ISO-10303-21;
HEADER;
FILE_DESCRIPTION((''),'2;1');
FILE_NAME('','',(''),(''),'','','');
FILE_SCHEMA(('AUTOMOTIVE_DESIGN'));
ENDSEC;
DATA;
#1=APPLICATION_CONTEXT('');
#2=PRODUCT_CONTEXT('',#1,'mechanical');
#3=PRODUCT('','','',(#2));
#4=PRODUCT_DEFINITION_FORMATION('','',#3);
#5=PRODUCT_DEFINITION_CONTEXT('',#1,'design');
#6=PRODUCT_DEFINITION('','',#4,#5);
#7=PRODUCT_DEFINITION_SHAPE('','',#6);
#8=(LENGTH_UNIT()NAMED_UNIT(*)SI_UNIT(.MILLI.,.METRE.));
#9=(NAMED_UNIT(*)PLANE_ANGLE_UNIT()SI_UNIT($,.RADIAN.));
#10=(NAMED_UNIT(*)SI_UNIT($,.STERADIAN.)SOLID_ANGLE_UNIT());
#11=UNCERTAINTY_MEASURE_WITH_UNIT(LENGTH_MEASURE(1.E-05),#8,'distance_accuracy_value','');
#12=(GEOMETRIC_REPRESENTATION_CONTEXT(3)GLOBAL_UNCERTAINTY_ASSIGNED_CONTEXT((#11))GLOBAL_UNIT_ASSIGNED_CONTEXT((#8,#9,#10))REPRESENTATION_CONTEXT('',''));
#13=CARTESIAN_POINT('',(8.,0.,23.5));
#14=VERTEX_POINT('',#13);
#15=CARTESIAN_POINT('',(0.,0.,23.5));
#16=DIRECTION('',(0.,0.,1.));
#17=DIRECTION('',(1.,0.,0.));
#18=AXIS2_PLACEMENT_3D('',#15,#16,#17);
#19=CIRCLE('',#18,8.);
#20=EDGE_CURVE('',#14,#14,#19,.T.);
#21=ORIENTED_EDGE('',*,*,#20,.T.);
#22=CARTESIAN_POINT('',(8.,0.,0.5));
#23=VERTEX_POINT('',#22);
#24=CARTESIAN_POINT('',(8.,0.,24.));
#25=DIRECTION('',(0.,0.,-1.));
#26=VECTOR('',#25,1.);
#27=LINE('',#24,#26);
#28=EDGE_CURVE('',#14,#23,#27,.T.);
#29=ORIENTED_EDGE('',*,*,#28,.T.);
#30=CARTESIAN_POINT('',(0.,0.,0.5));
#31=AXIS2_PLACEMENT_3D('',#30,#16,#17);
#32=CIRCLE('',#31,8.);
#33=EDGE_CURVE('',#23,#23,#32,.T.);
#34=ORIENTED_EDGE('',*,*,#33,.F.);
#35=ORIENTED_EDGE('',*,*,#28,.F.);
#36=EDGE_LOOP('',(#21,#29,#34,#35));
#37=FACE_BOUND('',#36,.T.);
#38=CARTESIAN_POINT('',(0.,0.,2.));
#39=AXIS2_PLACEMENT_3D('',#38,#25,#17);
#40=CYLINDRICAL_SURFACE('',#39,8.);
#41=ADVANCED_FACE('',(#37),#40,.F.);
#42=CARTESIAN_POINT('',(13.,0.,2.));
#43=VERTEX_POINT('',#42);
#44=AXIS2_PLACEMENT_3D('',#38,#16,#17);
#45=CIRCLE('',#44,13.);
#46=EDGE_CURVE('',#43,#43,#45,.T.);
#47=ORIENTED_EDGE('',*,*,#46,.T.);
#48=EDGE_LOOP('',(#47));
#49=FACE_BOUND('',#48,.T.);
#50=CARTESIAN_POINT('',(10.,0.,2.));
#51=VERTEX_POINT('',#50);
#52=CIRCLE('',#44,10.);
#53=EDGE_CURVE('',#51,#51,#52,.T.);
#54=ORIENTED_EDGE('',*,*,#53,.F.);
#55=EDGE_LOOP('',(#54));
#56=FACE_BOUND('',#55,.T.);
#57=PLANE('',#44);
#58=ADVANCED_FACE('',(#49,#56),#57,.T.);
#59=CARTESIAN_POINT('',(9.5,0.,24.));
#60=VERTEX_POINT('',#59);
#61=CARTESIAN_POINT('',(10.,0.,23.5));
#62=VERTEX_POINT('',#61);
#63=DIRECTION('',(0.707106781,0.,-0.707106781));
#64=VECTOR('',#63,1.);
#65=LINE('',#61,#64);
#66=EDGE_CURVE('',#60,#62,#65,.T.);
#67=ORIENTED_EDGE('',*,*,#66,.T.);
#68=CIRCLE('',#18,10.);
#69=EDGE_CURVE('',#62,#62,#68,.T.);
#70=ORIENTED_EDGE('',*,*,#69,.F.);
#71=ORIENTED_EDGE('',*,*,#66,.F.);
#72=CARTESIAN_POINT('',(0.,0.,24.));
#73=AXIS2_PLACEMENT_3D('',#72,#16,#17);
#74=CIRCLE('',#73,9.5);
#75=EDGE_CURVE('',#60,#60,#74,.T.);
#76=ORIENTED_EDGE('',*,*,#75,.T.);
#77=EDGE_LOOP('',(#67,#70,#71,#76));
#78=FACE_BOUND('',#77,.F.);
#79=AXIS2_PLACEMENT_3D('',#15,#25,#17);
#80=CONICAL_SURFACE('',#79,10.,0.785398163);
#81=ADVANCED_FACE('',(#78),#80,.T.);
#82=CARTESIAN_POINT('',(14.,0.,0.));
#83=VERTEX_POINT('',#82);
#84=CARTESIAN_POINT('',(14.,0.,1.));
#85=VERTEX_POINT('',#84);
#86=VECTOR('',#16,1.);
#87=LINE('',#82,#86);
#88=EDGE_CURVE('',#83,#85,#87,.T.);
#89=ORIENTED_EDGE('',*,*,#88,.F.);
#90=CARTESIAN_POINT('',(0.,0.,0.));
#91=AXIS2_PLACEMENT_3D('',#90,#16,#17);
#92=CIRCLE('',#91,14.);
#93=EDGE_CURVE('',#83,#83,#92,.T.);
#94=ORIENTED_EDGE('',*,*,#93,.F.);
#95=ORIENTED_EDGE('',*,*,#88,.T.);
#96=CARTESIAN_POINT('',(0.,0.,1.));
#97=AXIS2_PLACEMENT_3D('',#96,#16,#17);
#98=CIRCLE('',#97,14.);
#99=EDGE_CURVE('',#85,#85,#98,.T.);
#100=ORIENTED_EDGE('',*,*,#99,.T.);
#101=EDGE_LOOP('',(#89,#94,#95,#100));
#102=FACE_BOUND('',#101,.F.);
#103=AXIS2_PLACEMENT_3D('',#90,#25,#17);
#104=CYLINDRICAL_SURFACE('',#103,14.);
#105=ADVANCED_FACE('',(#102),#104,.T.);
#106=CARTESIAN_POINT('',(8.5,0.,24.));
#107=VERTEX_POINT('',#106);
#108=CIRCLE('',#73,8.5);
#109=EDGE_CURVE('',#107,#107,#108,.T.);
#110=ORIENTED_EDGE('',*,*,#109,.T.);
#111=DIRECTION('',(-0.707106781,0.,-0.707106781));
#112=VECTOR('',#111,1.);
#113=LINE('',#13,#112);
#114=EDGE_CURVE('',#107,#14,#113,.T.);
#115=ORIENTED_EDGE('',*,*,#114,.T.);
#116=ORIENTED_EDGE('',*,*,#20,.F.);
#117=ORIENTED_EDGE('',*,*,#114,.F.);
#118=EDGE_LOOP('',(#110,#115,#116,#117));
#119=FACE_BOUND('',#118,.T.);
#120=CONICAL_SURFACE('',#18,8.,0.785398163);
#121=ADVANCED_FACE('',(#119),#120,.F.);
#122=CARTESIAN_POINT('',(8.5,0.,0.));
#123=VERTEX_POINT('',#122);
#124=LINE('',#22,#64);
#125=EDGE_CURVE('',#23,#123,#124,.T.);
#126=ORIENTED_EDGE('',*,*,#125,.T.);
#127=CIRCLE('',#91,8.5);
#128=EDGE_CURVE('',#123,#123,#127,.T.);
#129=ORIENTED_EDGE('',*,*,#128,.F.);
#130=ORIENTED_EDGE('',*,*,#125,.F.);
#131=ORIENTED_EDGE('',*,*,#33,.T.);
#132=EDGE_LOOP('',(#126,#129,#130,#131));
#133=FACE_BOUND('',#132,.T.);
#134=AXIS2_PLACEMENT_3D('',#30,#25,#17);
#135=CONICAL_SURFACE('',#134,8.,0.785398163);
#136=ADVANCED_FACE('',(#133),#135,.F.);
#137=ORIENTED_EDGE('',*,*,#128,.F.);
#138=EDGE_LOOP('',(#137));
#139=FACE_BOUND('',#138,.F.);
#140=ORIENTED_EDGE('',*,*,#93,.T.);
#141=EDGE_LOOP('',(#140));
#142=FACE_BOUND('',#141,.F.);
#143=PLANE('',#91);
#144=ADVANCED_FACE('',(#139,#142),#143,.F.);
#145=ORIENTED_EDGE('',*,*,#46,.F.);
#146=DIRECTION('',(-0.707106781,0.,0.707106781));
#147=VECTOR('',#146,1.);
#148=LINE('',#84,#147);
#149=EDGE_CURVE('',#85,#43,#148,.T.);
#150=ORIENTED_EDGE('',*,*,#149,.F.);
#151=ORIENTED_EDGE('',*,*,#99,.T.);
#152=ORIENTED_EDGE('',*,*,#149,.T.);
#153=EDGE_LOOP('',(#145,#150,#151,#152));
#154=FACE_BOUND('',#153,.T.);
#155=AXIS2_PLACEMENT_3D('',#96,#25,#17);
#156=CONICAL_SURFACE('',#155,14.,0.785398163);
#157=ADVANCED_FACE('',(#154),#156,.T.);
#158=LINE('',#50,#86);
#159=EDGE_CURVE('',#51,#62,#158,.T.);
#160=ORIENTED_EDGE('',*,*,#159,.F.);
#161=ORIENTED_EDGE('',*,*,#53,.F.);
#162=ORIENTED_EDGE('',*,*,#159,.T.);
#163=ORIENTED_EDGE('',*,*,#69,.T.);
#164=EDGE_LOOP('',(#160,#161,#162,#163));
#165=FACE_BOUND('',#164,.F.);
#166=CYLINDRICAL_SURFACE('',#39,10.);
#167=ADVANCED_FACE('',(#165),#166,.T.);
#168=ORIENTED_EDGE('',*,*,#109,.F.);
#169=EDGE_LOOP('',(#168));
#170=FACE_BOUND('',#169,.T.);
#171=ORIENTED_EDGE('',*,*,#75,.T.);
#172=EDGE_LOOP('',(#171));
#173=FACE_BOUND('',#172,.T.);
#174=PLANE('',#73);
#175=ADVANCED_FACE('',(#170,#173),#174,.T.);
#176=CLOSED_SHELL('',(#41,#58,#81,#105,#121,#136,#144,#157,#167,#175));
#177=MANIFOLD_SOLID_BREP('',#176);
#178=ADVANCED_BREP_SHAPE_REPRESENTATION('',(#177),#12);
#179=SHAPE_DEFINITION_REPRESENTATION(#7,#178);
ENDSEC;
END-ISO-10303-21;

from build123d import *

# Parameters (mm, degrees)
SKETCH_R        = 14
SKETCH_R_2      = 8
PAD_DEPTH       = 2
SKETCH001_R     = 10
SKETCH001_R_2   = 8
PAD001_DEPTH    = 22
CHAMFER_SIZE    = 0.5
CHAMFER001_SIZE = 0.5
CHAMFER002_SIZE = 0.5
CHAMFER003_SIZE = 1


with BuildPart() as part:
    # Sketch → Pad (new body)
    with BuildSketch(Plane.XY):
        Circle(SKETCH_R)
        Circle(SKETCH_R_2, mode=Mode.SUBTRACT)
    extrude(amount=PAD_DEPTH)

    # Sketch001 (on Face4 of Pad) → Pad001 (join)
    with BuildSketch(Plane.XY.offset(2)):
        Circle(SKETCH001_R)
        Circle(SKETCH001_R_2, mode=Mode.SUBTRACT)
    extrude(amount=PAD001_DEPTH)

    # Chamfer
    chamfer_edges = [part.edges().sort_by_distance(p)[0] for p in [
        (-8, 0, 24),
    ]]
    chamfer(chamfer_edges, length=CHAMFER_SIZE)

    # Chamfer001
    chamfer001_edges = [part.edges().sort_by_distance(p)[0] for p in [
        (-10, 0, 24),
    ]]
    chamfer(chamfer001_edges, length=CHAMFER001_SIZE)

    # Chamfer002
    chamfer002_edges = [part.edges().sort_by_distance(p)[0] for p in [
        (-8, 0, 0),
    ]]
    chamfer(chamfer002_edges, length=CHAMFER002_SIZE)

    # Chamfer003
    chamfer003_edges = [part.edges().sort_by_distance(p)[0] for p in [
        (-14, 0, 2),
    ]]
    chamfer(chamfer003_edges, length=CHAMFER003_SIZE)


solid = part.part
